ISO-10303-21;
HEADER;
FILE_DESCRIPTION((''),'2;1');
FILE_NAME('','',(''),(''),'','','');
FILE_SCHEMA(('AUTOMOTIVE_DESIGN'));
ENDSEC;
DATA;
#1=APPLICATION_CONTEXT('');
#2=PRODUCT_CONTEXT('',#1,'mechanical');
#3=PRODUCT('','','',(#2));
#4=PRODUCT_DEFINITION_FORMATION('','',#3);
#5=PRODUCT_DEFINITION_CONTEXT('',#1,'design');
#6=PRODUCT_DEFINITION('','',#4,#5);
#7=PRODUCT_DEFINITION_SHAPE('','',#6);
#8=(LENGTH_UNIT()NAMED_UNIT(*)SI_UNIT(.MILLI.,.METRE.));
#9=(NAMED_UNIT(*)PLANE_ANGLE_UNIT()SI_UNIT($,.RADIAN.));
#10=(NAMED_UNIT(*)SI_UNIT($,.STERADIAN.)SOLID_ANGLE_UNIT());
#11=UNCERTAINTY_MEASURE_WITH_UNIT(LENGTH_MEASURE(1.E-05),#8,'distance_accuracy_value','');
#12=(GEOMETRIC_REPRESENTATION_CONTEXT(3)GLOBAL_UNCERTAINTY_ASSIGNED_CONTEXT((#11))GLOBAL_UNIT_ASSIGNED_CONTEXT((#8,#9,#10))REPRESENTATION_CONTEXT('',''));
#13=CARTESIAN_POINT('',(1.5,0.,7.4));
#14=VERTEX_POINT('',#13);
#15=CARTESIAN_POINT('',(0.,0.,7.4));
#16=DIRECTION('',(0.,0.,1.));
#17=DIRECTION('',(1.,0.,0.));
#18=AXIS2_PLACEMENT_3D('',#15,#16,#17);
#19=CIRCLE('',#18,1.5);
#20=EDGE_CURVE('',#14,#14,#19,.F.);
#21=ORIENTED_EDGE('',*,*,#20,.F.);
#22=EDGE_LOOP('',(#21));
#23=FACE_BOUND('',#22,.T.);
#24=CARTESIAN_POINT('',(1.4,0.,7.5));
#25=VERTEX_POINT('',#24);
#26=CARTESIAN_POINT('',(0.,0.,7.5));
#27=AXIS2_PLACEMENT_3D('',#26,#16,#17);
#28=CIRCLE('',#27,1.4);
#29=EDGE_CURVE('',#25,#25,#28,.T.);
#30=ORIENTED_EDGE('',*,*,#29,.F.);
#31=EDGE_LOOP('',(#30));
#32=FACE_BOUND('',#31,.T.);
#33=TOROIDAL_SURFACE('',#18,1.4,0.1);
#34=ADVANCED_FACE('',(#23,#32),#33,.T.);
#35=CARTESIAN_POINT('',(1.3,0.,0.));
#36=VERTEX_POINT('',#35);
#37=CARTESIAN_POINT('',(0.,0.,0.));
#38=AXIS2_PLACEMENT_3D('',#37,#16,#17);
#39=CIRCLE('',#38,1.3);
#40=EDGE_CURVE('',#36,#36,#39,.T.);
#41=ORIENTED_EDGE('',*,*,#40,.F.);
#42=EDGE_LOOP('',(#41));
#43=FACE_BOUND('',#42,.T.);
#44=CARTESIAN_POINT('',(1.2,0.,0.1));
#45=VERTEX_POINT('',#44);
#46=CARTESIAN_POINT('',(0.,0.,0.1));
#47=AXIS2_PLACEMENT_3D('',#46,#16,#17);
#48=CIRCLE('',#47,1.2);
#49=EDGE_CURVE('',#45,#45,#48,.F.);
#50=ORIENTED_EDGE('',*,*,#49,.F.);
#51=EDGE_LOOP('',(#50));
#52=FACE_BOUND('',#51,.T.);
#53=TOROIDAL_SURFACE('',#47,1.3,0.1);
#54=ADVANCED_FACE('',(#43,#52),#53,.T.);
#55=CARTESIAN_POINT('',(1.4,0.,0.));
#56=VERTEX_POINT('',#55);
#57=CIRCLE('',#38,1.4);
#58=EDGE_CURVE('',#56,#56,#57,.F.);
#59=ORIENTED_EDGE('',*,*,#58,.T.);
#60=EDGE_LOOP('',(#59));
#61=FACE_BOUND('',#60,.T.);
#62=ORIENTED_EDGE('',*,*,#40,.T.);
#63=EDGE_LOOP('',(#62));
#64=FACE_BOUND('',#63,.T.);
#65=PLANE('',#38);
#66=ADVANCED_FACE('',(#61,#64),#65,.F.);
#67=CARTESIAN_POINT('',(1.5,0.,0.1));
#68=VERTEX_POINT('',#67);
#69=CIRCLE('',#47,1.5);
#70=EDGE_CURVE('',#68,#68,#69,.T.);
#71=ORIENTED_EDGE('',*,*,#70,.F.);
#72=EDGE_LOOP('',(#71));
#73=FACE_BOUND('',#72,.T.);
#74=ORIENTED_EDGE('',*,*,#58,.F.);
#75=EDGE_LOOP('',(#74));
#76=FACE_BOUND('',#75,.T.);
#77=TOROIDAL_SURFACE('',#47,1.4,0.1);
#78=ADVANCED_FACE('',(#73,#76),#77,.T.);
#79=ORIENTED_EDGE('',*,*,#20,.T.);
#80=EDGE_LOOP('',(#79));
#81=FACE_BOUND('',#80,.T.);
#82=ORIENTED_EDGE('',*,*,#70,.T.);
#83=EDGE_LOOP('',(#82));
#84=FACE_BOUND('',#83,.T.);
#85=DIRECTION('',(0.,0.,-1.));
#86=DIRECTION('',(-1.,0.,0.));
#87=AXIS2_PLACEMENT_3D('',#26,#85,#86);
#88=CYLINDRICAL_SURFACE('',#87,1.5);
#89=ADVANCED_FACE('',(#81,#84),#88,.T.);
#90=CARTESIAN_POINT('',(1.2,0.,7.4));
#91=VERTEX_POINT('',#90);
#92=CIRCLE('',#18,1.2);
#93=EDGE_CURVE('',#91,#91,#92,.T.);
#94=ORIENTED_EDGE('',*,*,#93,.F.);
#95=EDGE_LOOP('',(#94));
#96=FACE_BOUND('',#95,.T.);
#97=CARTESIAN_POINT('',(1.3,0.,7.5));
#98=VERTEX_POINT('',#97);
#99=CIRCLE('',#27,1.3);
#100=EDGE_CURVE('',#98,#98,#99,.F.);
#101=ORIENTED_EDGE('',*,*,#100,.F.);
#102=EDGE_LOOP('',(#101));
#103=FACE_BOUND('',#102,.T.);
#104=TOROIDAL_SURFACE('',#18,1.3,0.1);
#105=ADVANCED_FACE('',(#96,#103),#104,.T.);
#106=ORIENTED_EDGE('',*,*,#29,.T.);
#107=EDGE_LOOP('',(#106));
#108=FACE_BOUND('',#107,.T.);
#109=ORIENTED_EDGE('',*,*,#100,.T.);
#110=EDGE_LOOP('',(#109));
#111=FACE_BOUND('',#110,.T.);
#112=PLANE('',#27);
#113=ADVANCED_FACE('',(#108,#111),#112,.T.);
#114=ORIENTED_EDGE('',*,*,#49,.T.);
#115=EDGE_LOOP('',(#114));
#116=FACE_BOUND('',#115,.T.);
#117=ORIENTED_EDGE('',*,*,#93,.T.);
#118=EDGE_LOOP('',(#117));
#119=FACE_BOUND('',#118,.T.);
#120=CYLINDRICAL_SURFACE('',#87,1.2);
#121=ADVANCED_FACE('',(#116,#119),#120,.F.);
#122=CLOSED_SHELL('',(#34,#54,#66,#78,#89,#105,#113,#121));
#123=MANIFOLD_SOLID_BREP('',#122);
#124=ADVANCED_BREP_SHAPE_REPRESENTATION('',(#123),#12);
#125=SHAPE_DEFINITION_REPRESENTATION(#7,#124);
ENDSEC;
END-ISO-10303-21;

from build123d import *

# Parameters (mm, degrees)
SKETCH1_R           = 1.5
SKETCH1_R_2         = 1.2
BOSS_EXTRUDE1_DEPTH = 7.5
FILLET2_R           = 0.1


with BuildPart() as part:
    # Sketch1 → Boss-Extrude1 (new body)
    with BuildSketch(Plane.XY):
        Circle(SKETCH1_R)
        Circle(SKETCH1_R_2, mode=Mode.SUBTRACT)
    extrude(amount=BOSS_EXTRUDE1_DEPTH)

    # Fillet2
    fillet2_edges = [part.edges().sort_by_distance(p)[0] for p in [
        (-1.5, 0, 0),
        (-1.5, 0, 7.5),
        (-1.2, 0, 0),
        (-1.2, 0, 7.5),
    ]]
    fillet(fillet2_edges, radius=FILLET2_R)


solid = part.part
